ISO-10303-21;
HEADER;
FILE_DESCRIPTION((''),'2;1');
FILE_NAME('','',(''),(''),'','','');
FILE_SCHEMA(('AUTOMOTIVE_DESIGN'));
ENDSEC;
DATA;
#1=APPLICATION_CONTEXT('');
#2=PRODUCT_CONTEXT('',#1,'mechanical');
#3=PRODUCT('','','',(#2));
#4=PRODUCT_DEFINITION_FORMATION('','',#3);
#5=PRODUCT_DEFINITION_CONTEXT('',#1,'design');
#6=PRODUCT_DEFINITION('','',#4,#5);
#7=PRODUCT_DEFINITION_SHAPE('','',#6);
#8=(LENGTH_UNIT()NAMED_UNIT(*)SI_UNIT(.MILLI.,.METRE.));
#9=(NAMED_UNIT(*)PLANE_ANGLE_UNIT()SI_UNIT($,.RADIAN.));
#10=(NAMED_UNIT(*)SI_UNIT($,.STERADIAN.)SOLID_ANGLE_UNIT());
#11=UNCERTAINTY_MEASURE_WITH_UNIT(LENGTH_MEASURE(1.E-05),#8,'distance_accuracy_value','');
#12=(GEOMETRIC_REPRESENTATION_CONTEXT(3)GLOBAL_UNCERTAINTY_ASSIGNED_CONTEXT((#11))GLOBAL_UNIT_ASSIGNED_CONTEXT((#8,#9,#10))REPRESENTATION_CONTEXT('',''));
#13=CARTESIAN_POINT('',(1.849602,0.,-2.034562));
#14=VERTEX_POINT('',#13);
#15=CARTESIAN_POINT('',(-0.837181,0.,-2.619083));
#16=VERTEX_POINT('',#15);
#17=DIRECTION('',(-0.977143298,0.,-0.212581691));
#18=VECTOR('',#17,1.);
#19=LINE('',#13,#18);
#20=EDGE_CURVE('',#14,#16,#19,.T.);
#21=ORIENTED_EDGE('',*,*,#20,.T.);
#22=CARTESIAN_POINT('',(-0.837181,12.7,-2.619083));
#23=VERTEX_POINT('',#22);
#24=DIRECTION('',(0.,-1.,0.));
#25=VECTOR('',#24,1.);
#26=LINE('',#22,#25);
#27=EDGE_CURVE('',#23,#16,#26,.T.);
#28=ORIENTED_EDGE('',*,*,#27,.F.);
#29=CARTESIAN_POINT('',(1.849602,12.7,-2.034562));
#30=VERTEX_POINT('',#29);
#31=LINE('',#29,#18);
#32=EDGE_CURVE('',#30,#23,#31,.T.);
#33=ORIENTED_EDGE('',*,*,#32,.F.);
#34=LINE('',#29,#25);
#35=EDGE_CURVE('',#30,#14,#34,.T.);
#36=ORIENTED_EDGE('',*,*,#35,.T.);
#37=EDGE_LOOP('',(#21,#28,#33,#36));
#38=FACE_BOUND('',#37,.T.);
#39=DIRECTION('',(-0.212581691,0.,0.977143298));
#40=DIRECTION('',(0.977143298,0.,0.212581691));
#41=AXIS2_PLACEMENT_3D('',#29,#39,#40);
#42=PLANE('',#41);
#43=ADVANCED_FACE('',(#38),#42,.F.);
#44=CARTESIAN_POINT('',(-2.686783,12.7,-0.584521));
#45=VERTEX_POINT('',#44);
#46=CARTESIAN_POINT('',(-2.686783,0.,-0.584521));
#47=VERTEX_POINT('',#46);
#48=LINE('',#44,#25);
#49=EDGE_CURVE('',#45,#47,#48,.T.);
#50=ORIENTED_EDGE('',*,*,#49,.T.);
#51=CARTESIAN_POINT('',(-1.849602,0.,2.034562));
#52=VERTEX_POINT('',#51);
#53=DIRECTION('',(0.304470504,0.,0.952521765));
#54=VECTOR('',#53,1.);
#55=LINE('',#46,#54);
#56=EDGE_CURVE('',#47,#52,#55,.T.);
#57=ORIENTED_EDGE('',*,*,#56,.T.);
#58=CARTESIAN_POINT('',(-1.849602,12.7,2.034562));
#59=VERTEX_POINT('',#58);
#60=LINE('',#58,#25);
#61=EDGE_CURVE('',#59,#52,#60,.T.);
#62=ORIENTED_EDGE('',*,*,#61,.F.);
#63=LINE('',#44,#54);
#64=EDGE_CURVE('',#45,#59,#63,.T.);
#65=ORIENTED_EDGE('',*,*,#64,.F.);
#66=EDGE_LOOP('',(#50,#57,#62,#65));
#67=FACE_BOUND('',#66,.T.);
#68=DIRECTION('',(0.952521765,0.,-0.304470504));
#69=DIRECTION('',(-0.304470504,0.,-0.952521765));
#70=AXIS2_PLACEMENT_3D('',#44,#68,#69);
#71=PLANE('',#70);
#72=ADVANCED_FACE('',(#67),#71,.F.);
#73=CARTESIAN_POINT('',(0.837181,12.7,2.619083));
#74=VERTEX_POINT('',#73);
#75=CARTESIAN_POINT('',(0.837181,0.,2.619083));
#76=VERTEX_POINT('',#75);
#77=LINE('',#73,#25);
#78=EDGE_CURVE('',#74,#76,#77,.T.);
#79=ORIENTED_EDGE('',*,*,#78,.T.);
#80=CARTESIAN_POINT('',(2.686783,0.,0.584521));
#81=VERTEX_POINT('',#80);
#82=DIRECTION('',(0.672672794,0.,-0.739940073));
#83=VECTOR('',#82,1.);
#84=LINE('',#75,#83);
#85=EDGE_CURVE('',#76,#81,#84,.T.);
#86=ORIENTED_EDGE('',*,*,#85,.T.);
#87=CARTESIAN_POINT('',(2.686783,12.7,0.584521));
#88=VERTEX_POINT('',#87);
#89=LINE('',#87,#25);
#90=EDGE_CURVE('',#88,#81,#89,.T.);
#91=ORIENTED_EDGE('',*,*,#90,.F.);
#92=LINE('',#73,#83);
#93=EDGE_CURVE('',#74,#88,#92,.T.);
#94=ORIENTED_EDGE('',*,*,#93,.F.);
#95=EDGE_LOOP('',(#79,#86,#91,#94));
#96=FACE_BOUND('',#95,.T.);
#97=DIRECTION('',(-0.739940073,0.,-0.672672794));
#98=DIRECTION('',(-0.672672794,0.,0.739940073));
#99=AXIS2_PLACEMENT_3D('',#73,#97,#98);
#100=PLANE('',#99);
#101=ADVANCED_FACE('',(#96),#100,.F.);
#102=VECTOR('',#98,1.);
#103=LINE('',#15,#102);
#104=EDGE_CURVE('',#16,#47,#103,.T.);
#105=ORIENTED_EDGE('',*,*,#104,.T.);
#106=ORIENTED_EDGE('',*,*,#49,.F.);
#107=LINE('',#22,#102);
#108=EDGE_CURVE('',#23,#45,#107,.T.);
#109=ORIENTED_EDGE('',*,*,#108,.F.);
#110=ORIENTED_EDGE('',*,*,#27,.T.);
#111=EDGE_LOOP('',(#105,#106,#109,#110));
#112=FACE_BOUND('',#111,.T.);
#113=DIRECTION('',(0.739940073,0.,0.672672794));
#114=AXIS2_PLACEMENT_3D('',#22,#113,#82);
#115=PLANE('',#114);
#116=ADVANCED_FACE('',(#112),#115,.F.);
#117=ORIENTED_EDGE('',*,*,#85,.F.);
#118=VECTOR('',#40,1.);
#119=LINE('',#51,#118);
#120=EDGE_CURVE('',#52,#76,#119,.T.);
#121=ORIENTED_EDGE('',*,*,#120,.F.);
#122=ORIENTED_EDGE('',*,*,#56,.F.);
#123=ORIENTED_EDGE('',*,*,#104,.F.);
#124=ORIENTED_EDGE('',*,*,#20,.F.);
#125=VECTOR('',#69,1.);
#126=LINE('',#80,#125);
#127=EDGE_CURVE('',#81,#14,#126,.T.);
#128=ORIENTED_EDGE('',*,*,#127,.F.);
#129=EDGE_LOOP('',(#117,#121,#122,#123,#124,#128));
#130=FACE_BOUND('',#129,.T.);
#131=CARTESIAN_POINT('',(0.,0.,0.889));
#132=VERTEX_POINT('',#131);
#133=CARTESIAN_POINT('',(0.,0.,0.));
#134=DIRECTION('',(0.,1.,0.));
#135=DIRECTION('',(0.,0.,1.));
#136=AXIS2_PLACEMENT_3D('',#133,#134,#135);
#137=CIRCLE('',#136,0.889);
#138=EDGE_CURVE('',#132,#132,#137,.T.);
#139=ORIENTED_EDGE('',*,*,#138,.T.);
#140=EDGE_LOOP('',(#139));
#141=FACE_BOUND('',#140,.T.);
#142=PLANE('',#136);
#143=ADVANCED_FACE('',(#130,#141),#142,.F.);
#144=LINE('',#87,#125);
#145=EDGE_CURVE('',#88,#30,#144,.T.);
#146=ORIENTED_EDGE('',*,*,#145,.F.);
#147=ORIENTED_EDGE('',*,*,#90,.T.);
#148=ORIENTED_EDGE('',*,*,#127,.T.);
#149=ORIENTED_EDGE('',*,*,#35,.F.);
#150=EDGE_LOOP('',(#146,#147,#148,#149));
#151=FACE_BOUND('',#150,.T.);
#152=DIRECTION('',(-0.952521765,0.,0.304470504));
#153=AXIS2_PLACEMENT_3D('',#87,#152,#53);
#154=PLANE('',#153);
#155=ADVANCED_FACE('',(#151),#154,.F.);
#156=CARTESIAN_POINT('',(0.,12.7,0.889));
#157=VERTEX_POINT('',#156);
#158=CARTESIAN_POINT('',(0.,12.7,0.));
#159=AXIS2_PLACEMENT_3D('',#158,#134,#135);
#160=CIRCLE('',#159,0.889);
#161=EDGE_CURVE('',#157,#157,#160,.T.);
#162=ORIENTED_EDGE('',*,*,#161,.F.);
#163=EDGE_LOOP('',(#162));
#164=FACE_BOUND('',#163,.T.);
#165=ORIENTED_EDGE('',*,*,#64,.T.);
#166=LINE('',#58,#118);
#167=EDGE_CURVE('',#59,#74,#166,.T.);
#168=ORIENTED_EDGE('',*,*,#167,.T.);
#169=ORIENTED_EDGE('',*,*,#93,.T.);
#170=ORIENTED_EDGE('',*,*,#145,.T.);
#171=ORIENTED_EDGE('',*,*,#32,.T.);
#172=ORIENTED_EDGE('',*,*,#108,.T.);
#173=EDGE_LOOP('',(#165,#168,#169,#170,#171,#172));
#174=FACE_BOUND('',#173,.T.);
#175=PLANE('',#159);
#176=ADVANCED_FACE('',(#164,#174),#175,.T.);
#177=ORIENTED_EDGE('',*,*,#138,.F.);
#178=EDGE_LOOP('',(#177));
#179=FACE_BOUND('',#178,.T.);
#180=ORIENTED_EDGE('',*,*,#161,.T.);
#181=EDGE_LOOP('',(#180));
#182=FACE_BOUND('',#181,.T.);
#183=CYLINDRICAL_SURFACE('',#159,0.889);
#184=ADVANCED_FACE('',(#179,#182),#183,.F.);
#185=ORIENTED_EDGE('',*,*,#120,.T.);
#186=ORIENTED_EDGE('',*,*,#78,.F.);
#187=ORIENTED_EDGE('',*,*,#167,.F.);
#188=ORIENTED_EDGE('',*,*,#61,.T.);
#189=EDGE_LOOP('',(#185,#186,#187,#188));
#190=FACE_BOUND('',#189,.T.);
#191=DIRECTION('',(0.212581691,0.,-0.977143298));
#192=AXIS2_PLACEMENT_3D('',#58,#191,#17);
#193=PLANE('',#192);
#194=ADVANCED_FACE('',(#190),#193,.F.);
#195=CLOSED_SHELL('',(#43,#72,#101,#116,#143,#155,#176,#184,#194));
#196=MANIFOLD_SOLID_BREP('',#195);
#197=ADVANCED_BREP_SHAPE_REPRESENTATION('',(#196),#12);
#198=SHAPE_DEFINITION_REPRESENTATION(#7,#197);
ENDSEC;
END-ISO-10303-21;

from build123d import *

# Parameters (mm, degrees)
BOSS_EXTRUDE1_DEPTH       = 12.7
TAP_DRILL_FOR_2_56_TAP1_D = 1.778


with BuildPart() as part:
    # Sketch1 → Boss-Extrude1 (new body)
    with BuildSketch(Plane(origin=(0, 0, 0), x_dir=(1, 0, 0), z_dir=(0, 1, 0))):
        Polygon((1.849601737, 2.03456191), (-0.837181432, 2.619083046), (-2.686783168, 0.584521136), (-1.849601737, -2.03456191), (0.837181432, -2.619083046), (2.686783168, -0.584521136), align=None)
    extrude(amount=BOSS_EXTRUDE1_DEPTH)

    # Tap Drill for #2-56 Tap1 (through all)
    with Locations(Plane(origin=(0, 12.7, 0), x_dir=(1, 0, 0), z_dir=(0, 1, 0))):
        with Locations((0, 0)):
            Hole(TAP_DRILL_FOR_2_56_TAP1_D / 2)


solid = part.part
